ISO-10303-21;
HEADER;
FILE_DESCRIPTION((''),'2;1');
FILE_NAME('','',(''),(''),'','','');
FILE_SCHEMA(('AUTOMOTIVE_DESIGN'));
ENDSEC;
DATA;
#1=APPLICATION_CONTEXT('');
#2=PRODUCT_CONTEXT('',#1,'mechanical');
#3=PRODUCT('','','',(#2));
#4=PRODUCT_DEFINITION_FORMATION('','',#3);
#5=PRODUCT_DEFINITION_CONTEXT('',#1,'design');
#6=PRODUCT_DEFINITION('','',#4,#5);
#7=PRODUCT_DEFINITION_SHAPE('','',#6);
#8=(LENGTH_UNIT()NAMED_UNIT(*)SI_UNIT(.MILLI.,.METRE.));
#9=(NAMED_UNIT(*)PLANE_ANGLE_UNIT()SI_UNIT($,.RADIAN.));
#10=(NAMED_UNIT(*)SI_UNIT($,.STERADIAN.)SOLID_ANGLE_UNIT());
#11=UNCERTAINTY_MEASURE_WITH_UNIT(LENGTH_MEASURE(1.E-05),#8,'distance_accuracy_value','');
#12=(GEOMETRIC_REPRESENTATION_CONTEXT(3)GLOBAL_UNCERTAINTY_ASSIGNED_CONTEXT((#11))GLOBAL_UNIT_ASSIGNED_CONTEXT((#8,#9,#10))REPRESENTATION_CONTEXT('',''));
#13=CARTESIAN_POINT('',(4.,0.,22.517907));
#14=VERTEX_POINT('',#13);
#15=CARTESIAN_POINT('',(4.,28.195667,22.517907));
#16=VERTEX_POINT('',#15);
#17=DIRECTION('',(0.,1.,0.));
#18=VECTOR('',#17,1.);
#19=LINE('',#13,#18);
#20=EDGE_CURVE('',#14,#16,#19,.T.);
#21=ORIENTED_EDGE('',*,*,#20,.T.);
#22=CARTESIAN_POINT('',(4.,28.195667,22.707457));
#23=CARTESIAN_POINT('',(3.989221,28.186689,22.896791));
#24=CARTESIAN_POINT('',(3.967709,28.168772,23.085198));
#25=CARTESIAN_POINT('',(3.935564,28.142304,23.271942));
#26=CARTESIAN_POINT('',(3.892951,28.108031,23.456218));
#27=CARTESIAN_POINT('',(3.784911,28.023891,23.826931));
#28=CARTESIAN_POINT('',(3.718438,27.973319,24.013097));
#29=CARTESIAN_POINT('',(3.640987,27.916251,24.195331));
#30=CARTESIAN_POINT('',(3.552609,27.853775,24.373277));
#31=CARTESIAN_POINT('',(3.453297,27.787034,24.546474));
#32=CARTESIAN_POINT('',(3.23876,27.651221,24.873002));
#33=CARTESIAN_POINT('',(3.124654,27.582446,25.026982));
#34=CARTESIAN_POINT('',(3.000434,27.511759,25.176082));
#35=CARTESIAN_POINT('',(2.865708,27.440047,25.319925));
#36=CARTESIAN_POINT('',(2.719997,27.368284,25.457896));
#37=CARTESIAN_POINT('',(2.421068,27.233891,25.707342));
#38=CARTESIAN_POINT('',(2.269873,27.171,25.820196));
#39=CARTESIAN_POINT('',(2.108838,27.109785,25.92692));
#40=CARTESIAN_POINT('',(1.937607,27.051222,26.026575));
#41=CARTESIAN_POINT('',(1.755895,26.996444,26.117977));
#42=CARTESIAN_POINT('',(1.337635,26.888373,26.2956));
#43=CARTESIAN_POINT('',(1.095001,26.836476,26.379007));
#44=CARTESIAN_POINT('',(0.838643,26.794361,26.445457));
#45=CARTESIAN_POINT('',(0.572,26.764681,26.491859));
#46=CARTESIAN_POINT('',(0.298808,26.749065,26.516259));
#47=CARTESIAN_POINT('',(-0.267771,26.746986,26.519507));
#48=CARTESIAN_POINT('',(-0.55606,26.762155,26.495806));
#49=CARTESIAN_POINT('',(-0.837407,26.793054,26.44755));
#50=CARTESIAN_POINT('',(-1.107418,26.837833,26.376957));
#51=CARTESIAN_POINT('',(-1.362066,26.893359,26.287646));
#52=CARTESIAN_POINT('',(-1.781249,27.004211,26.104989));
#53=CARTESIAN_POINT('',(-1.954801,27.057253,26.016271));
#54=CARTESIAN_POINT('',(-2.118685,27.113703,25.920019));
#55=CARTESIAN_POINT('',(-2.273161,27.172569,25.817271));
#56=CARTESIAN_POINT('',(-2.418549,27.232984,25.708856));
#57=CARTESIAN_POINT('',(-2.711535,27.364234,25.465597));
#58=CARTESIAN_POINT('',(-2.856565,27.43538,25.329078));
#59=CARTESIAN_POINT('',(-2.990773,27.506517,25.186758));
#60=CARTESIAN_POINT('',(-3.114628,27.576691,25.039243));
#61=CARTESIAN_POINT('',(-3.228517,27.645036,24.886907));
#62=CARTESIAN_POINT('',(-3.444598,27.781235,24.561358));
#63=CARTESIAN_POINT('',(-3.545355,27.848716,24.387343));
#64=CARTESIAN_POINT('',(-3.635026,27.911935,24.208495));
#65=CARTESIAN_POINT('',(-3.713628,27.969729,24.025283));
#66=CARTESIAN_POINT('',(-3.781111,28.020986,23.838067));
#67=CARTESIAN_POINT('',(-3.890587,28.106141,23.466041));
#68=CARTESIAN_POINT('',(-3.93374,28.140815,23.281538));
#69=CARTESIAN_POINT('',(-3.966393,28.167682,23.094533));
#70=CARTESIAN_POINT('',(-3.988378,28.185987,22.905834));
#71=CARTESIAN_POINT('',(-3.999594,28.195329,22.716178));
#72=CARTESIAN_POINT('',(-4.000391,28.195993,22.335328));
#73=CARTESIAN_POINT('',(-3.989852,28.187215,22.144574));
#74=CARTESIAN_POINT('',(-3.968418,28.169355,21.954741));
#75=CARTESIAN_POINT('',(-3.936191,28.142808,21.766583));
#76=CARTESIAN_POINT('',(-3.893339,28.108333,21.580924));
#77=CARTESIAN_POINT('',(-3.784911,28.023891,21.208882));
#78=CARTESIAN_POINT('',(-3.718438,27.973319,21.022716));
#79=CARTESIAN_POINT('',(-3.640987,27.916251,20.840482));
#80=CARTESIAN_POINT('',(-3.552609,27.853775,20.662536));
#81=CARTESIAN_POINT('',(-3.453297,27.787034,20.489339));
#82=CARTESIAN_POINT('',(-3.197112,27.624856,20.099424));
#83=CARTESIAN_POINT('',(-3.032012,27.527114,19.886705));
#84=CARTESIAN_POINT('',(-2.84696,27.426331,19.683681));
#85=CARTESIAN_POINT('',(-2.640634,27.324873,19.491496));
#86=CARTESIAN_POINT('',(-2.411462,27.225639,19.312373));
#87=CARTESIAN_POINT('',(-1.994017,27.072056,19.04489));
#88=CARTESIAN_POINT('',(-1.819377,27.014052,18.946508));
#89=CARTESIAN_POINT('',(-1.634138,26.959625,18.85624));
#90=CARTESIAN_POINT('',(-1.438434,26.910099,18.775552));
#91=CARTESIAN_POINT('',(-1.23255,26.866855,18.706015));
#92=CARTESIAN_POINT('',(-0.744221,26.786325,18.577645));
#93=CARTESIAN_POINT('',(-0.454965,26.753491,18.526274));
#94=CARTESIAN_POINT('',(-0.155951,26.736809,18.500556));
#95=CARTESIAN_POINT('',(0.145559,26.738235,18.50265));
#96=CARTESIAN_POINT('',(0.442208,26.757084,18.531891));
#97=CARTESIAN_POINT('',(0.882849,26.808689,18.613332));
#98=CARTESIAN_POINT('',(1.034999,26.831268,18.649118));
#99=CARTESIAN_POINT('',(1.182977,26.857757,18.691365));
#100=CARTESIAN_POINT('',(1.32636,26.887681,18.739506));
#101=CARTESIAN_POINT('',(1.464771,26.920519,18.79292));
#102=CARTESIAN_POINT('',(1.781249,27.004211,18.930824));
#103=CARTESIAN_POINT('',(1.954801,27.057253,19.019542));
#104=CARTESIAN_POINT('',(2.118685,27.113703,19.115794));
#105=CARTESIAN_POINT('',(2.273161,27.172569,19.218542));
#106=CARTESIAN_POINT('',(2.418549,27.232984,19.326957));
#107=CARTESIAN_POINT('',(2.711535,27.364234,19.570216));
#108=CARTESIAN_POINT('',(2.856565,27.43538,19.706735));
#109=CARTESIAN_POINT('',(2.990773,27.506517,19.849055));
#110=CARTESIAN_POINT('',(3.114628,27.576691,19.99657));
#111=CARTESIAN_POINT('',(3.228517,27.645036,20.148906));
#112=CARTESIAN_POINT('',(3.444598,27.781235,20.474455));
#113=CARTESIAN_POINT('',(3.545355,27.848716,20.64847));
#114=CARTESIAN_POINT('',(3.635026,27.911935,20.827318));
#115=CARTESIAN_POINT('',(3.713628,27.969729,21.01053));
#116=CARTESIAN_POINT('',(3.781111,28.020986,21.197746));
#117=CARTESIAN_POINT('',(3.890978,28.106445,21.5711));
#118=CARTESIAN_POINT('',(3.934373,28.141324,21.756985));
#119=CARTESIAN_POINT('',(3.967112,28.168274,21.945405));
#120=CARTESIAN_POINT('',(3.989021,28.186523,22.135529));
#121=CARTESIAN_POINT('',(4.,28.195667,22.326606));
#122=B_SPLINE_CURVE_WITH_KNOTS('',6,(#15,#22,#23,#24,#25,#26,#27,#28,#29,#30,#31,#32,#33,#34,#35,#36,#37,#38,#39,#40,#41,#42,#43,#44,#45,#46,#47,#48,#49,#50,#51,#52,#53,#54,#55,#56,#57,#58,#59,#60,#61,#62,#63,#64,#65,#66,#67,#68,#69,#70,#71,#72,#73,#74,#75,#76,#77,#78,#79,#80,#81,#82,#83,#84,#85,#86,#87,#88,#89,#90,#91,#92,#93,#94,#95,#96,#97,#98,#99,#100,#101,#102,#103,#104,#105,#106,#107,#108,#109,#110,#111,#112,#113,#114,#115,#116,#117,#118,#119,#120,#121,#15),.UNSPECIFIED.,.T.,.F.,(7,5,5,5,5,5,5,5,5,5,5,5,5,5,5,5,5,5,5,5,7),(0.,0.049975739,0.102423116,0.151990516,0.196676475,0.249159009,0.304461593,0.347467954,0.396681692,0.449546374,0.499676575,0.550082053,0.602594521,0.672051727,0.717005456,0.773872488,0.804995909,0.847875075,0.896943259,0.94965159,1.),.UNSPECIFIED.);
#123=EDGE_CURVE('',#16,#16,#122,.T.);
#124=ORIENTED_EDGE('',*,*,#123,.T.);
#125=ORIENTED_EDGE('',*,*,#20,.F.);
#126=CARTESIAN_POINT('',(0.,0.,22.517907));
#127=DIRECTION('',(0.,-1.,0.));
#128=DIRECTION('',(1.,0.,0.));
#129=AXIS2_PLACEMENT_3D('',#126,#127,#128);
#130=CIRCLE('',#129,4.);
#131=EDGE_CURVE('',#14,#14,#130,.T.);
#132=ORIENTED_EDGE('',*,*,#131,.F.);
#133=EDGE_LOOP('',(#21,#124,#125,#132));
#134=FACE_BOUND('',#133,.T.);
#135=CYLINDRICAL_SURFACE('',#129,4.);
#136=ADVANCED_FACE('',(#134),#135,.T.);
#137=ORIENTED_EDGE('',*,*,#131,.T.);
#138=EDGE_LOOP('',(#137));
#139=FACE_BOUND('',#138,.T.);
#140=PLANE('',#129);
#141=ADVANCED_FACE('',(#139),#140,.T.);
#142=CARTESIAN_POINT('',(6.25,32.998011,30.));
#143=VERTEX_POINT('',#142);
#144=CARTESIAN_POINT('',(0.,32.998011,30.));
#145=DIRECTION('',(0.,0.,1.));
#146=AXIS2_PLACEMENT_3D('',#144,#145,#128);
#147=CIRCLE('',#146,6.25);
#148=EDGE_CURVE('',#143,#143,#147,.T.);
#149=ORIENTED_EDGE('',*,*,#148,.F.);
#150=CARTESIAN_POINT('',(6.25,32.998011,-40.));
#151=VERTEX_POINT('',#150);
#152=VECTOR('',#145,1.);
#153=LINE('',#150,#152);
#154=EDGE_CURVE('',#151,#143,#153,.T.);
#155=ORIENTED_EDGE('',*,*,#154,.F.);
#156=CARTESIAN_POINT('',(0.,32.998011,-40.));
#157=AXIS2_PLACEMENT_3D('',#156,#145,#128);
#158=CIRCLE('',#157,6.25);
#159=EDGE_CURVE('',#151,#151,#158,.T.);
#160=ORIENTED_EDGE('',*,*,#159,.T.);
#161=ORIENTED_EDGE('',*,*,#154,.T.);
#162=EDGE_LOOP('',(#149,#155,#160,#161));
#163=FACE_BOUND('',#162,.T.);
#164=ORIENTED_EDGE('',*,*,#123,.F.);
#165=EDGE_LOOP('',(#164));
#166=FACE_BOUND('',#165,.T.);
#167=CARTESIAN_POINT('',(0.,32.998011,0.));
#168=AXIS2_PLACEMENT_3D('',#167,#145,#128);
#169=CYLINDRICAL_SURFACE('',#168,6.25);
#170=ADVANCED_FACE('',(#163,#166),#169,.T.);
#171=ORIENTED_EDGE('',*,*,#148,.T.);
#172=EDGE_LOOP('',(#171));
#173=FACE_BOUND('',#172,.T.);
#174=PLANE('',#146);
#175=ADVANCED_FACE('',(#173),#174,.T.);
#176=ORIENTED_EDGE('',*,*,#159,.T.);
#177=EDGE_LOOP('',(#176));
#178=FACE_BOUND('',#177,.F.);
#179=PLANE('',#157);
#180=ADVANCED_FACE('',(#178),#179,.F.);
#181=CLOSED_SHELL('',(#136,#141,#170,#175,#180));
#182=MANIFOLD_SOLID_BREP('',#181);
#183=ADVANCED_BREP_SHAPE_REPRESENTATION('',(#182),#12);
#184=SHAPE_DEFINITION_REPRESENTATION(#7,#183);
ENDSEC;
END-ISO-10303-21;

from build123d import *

# Parameters (mm, degrees)
F1_R          = 6.25
F2_DEPTH      = 30
F2_DEPTH_BACK = 40
F0_R          = 4


with BuildPart() as f2:
    # F1 (on Top) → F2 (new body, two sides)
    with BuildSketch(Plane.XY) as f2_sk:
        with Locations((0, 32.9980105162)):
            Circle(F1_R)
    extrude(amount=F2_DEPTH)
    extrude(f2_sk.sketch, amount=-F2_DEPTH_BACK)

    # F0 (on Front) → F3 (join, up to the next surface of F2)
    with BuildSketch(Plane.XZ):
        with Locations((0, 22.5179065019)):
            Circle(F0_R)
    extrude(until=Until.NEXT, dir=(0, 1, 0))


solid = f2.part
